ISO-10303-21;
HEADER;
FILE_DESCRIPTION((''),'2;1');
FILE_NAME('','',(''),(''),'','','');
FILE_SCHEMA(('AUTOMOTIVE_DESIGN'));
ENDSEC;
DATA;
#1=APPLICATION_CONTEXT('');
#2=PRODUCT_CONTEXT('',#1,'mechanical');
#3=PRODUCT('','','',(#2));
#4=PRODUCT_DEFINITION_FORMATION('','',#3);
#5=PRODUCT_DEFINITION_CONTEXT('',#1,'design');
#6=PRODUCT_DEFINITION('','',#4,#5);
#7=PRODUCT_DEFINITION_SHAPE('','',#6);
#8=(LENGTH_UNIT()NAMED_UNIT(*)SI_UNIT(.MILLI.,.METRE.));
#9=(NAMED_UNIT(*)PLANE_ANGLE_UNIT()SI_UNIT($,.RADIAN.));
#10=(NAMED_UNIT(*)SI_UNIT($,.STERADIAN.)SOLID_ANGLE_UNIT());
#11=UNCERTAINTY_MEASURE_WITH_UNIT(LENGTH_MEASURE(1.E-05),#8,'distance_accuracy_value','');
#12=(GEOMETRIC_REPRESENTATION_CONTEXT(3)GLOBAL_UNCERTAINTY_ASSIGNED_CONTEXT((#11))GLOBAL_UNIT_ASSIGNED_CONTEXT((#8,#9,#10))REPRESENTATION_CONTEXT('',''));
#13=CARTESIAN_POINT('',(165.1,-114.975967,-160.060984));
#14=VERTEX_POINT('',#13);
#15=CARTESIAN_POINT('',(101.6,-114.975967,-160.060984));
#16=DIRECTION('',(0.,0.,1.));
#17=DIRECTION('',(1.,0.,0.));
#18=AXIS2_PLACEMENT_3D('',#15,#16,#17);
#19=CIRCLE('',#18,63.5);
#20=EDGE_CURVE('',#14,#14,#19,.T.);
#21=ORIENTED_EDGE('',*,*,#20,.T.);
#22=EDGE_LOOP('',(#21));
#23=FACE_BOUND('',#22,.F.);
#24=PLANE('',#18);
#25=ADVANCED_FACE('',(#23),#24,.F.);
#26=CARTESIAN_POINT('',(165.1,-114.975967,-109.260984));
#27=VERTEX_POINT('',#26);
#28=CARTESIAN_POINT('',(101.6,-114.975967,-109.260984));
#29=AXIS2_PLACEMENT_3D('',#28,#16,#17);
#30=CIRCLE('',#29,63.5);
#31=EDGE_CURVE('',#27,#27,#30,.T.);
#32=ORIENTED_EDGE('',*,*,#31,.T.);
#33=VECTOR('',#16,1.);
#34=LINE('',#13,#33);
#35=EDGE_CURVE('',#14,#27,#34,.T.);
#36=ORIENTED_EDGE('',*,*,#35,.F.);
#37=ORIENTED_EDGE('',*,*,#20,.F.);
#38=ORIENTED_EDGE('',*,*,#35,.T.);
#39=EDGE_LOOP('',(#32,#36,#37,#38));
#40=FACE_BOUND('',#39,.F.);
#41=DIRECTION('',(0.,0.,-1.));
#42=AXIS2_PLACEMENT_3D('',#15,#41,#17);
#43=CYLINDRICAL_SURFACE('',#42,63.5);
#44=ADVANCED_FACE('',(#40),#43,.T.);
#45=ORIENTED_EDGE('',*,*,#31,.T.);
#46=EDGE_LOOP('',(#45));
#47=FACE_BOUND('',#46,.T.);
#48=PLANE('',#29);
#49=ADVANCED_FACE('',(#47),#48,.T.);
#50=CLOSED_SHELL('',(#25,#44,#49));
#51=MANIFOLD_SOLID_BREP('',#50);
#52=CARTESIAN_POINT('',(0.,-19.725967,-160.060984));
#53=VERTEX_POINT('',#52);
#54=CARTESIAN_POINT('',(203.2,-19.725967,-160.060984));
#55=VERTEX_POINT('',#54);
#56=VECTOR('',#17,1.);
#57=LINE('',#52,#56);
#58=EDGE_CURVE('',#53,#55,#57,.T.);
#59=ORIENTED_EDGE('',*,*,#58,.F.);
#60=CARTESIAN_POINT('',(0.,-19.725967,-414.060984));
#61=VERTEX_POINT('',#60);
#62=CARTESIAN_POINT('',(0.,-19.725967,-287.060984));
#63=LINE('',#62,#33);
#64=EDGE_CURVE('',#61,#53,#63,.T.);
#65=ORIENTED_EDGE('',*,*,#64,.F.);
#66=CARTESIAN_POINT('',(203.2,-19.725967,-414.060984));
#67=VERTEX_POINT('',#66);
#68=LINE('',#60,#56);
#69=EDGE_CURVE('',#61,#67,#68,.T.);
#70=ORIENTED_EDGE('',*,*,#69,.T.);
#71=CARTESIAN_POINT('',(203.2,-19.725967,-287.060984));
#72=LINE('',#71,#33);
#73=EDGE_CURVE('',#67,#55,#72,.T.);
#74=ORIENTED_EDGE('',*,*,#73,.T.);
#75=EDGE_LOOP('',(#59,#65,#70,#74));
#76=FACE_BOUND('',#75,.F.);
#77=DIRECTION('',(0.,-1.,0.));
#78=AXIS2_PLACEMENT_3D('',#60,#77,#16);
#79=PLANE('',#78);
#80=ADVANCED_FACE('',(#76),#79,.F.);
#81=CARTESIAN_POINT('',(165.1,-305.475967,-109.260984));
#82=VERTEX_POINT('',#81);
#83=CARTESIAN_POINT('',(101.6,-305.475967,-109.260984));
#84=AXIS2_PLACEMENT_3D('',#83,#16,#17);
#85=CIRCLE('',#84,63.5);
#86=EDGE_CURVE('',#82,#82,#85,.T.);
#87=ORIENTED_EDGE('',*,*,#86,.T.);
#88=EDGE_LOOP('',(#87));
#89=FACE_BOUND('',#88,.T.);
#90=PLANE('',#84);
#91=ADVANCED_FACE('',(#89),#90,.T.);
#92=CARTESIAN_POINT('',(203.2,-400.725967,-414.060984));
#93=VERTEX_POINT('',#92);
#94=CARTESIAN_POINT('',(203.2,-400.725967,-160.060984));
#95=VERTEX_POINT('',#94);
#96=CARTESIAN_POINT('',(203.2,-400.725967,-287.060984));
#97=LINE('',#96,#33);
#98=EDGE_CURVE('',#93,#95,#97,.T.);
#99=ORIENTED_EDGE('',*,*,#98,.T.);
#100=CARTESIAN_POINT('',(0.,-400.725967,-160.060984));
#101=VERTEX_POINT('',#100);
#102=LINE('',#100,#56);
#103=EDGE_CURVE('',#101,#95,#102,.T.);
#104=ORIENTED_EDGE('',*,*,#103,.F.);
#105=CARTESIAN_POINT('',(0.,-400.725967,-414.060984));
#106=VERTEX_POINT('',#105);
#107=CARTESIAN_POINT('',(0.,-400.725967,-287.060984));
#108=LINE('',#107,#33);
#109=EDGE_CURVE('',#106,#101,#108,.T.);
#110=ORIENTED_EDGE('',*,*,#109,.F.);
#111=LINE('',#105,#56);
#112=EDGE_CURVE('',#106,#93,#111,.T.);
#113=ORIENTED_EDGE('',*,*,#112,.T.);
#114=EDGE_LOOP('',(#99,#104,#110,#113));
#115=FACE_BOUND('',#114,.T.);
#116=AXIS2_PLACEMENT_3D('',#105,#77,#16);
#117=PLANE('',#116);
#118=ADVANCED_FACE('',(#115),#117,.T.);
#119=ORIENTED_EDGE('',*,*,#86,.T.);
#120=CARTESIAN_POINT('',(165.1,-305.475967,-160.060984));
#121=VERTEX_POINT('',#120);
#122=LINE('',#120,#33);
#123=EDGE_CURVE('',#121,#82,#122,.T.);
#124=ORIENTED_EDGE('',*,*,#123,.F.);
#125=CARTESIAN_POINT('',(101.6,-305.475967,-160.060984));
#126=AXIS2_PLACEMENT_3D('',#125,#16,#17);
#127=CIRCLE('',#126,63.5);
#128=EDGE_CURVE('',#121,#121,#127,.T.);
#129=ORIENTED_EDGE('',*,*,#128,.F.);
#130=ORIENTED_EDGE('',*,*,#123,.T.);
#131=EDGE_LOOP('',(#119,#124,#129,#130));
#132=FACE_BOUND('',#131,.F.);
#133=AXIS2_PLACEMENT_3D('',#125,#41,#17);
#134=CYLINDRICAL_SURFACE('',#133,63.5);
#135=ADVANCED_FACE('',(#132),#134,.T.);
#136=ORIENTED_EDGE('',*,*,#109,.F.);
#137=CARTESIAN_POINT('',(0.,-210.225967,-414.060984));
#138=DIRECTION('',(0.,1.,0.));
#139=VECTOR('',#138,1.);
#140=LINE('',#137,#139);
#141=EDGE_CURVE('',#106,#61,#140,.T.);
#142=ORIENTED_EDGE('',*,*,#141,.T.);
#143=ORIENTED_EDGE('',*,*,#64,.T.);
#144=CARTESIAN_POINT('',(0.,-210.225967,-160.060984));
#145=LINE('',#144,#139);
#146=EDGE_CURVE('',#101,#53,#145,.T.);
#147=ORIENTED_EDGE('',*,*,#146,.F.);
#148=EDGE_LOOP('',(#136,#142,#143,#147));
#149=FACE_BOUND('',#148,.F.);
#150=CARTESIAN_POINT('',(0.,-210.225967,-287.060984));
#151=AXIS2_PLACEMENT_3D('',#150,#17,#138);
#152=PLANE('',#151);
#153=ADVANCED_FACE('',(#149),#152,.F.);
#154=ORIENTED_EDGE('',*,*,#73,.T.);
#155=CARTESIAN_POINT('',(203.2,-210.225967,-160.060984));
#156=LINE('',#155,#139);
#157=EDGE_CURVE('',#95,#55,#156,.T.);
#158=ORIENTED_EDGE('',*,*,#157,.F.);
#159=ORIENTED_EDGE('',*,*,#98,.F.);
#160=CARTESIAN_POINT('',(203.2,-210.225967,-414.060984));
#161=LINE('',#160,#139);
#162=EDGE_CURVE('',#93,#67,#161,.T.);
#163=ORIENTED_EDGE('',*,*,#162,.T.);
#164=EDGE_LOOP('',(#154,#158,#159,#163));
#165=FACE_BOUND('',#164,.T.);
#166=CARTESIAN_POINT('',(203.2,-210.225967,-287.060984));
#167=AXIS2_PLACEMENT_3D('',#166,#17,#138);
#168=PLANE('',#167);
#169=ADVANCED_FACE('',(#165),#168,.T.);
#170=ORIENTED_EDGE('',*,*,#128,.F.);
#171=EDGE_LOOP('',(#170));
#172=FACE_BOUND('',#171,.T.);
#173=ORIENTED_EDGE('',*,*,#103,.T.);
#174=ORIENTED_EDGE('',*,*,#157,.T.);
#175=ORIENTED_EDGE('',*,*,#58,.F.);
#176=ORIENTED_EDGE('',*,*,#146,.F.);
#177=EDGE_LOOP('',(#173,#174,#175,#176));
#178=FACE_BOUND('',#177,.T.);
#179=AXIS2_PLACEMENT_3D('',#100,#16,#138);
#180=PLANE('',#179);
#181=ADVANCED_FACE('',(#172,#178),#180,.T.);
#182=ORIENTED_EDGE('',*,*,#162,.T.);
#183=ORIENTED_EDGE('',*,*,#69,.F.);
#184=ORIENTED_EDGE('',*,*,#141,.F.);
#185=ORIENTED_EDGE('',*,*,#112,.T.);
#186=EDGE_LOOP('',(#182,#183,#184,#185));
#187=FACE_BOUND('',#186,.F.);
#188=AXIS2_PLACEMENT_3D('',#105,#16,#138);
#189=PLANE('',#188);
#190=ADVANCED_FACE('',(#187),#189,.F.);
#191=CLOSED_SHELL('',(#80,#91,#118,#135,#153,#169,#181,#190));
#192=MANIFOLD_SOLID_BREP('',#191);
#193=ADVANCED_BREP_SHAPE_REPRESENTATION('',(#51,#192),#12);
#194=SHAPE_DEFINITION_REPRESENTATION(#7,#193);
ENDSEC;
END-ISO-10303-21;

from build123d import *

# Parameters (mm, degrees)
F0_W     = 381
F0_H     = 254
F1_DEPTH = 203.2
F2_R     = 63.5
F3_DEPTH = 50.8
F4_R     = 63.5
F5_DEPTH = 50.8
F6_R     = 12.7
F7_DEPTH = 152.4


with BuildPart() as f1:
    # F0 (on Right) → F1 (new body)
    with BuildSketch(Plane.YZ):
        with Locations((-210.225967, -287.060984)):
            Rectangle(F0_W, F0_H)
    extrude(amount=F1_DEPTH)

    # F4 (on face) → F5 (join)
    with BuildSketch(Plane.XY.offset(-160.060984)):
        with Locations((101.6, -305.475967)):
            Circle(F4_R)
    extrude(amount=F5_DEPTH)

    # F6 (on face) → F7 (join)
    with BuildSketch(Plane(origin=(0, 0, -414.060984), x_dir=(1, 0, 0), z_dir=(0, 0, -1))):
        with Locations((101.6, 210.225967)):
            Circle(F6_R)
    extrude(amount=-F7_DEPTH)


with BuildPart() as f3:
    # F2 (on face) → F3 (new body)
    with BuildSketch(Plane.XY.offset(-160.060984)):
        with Locations((101.6, -114.975967)):
            Circle(F2_R)
    extrude(amount=F3_DEPTH)


solid = Compound([f1.part, f3.part])
